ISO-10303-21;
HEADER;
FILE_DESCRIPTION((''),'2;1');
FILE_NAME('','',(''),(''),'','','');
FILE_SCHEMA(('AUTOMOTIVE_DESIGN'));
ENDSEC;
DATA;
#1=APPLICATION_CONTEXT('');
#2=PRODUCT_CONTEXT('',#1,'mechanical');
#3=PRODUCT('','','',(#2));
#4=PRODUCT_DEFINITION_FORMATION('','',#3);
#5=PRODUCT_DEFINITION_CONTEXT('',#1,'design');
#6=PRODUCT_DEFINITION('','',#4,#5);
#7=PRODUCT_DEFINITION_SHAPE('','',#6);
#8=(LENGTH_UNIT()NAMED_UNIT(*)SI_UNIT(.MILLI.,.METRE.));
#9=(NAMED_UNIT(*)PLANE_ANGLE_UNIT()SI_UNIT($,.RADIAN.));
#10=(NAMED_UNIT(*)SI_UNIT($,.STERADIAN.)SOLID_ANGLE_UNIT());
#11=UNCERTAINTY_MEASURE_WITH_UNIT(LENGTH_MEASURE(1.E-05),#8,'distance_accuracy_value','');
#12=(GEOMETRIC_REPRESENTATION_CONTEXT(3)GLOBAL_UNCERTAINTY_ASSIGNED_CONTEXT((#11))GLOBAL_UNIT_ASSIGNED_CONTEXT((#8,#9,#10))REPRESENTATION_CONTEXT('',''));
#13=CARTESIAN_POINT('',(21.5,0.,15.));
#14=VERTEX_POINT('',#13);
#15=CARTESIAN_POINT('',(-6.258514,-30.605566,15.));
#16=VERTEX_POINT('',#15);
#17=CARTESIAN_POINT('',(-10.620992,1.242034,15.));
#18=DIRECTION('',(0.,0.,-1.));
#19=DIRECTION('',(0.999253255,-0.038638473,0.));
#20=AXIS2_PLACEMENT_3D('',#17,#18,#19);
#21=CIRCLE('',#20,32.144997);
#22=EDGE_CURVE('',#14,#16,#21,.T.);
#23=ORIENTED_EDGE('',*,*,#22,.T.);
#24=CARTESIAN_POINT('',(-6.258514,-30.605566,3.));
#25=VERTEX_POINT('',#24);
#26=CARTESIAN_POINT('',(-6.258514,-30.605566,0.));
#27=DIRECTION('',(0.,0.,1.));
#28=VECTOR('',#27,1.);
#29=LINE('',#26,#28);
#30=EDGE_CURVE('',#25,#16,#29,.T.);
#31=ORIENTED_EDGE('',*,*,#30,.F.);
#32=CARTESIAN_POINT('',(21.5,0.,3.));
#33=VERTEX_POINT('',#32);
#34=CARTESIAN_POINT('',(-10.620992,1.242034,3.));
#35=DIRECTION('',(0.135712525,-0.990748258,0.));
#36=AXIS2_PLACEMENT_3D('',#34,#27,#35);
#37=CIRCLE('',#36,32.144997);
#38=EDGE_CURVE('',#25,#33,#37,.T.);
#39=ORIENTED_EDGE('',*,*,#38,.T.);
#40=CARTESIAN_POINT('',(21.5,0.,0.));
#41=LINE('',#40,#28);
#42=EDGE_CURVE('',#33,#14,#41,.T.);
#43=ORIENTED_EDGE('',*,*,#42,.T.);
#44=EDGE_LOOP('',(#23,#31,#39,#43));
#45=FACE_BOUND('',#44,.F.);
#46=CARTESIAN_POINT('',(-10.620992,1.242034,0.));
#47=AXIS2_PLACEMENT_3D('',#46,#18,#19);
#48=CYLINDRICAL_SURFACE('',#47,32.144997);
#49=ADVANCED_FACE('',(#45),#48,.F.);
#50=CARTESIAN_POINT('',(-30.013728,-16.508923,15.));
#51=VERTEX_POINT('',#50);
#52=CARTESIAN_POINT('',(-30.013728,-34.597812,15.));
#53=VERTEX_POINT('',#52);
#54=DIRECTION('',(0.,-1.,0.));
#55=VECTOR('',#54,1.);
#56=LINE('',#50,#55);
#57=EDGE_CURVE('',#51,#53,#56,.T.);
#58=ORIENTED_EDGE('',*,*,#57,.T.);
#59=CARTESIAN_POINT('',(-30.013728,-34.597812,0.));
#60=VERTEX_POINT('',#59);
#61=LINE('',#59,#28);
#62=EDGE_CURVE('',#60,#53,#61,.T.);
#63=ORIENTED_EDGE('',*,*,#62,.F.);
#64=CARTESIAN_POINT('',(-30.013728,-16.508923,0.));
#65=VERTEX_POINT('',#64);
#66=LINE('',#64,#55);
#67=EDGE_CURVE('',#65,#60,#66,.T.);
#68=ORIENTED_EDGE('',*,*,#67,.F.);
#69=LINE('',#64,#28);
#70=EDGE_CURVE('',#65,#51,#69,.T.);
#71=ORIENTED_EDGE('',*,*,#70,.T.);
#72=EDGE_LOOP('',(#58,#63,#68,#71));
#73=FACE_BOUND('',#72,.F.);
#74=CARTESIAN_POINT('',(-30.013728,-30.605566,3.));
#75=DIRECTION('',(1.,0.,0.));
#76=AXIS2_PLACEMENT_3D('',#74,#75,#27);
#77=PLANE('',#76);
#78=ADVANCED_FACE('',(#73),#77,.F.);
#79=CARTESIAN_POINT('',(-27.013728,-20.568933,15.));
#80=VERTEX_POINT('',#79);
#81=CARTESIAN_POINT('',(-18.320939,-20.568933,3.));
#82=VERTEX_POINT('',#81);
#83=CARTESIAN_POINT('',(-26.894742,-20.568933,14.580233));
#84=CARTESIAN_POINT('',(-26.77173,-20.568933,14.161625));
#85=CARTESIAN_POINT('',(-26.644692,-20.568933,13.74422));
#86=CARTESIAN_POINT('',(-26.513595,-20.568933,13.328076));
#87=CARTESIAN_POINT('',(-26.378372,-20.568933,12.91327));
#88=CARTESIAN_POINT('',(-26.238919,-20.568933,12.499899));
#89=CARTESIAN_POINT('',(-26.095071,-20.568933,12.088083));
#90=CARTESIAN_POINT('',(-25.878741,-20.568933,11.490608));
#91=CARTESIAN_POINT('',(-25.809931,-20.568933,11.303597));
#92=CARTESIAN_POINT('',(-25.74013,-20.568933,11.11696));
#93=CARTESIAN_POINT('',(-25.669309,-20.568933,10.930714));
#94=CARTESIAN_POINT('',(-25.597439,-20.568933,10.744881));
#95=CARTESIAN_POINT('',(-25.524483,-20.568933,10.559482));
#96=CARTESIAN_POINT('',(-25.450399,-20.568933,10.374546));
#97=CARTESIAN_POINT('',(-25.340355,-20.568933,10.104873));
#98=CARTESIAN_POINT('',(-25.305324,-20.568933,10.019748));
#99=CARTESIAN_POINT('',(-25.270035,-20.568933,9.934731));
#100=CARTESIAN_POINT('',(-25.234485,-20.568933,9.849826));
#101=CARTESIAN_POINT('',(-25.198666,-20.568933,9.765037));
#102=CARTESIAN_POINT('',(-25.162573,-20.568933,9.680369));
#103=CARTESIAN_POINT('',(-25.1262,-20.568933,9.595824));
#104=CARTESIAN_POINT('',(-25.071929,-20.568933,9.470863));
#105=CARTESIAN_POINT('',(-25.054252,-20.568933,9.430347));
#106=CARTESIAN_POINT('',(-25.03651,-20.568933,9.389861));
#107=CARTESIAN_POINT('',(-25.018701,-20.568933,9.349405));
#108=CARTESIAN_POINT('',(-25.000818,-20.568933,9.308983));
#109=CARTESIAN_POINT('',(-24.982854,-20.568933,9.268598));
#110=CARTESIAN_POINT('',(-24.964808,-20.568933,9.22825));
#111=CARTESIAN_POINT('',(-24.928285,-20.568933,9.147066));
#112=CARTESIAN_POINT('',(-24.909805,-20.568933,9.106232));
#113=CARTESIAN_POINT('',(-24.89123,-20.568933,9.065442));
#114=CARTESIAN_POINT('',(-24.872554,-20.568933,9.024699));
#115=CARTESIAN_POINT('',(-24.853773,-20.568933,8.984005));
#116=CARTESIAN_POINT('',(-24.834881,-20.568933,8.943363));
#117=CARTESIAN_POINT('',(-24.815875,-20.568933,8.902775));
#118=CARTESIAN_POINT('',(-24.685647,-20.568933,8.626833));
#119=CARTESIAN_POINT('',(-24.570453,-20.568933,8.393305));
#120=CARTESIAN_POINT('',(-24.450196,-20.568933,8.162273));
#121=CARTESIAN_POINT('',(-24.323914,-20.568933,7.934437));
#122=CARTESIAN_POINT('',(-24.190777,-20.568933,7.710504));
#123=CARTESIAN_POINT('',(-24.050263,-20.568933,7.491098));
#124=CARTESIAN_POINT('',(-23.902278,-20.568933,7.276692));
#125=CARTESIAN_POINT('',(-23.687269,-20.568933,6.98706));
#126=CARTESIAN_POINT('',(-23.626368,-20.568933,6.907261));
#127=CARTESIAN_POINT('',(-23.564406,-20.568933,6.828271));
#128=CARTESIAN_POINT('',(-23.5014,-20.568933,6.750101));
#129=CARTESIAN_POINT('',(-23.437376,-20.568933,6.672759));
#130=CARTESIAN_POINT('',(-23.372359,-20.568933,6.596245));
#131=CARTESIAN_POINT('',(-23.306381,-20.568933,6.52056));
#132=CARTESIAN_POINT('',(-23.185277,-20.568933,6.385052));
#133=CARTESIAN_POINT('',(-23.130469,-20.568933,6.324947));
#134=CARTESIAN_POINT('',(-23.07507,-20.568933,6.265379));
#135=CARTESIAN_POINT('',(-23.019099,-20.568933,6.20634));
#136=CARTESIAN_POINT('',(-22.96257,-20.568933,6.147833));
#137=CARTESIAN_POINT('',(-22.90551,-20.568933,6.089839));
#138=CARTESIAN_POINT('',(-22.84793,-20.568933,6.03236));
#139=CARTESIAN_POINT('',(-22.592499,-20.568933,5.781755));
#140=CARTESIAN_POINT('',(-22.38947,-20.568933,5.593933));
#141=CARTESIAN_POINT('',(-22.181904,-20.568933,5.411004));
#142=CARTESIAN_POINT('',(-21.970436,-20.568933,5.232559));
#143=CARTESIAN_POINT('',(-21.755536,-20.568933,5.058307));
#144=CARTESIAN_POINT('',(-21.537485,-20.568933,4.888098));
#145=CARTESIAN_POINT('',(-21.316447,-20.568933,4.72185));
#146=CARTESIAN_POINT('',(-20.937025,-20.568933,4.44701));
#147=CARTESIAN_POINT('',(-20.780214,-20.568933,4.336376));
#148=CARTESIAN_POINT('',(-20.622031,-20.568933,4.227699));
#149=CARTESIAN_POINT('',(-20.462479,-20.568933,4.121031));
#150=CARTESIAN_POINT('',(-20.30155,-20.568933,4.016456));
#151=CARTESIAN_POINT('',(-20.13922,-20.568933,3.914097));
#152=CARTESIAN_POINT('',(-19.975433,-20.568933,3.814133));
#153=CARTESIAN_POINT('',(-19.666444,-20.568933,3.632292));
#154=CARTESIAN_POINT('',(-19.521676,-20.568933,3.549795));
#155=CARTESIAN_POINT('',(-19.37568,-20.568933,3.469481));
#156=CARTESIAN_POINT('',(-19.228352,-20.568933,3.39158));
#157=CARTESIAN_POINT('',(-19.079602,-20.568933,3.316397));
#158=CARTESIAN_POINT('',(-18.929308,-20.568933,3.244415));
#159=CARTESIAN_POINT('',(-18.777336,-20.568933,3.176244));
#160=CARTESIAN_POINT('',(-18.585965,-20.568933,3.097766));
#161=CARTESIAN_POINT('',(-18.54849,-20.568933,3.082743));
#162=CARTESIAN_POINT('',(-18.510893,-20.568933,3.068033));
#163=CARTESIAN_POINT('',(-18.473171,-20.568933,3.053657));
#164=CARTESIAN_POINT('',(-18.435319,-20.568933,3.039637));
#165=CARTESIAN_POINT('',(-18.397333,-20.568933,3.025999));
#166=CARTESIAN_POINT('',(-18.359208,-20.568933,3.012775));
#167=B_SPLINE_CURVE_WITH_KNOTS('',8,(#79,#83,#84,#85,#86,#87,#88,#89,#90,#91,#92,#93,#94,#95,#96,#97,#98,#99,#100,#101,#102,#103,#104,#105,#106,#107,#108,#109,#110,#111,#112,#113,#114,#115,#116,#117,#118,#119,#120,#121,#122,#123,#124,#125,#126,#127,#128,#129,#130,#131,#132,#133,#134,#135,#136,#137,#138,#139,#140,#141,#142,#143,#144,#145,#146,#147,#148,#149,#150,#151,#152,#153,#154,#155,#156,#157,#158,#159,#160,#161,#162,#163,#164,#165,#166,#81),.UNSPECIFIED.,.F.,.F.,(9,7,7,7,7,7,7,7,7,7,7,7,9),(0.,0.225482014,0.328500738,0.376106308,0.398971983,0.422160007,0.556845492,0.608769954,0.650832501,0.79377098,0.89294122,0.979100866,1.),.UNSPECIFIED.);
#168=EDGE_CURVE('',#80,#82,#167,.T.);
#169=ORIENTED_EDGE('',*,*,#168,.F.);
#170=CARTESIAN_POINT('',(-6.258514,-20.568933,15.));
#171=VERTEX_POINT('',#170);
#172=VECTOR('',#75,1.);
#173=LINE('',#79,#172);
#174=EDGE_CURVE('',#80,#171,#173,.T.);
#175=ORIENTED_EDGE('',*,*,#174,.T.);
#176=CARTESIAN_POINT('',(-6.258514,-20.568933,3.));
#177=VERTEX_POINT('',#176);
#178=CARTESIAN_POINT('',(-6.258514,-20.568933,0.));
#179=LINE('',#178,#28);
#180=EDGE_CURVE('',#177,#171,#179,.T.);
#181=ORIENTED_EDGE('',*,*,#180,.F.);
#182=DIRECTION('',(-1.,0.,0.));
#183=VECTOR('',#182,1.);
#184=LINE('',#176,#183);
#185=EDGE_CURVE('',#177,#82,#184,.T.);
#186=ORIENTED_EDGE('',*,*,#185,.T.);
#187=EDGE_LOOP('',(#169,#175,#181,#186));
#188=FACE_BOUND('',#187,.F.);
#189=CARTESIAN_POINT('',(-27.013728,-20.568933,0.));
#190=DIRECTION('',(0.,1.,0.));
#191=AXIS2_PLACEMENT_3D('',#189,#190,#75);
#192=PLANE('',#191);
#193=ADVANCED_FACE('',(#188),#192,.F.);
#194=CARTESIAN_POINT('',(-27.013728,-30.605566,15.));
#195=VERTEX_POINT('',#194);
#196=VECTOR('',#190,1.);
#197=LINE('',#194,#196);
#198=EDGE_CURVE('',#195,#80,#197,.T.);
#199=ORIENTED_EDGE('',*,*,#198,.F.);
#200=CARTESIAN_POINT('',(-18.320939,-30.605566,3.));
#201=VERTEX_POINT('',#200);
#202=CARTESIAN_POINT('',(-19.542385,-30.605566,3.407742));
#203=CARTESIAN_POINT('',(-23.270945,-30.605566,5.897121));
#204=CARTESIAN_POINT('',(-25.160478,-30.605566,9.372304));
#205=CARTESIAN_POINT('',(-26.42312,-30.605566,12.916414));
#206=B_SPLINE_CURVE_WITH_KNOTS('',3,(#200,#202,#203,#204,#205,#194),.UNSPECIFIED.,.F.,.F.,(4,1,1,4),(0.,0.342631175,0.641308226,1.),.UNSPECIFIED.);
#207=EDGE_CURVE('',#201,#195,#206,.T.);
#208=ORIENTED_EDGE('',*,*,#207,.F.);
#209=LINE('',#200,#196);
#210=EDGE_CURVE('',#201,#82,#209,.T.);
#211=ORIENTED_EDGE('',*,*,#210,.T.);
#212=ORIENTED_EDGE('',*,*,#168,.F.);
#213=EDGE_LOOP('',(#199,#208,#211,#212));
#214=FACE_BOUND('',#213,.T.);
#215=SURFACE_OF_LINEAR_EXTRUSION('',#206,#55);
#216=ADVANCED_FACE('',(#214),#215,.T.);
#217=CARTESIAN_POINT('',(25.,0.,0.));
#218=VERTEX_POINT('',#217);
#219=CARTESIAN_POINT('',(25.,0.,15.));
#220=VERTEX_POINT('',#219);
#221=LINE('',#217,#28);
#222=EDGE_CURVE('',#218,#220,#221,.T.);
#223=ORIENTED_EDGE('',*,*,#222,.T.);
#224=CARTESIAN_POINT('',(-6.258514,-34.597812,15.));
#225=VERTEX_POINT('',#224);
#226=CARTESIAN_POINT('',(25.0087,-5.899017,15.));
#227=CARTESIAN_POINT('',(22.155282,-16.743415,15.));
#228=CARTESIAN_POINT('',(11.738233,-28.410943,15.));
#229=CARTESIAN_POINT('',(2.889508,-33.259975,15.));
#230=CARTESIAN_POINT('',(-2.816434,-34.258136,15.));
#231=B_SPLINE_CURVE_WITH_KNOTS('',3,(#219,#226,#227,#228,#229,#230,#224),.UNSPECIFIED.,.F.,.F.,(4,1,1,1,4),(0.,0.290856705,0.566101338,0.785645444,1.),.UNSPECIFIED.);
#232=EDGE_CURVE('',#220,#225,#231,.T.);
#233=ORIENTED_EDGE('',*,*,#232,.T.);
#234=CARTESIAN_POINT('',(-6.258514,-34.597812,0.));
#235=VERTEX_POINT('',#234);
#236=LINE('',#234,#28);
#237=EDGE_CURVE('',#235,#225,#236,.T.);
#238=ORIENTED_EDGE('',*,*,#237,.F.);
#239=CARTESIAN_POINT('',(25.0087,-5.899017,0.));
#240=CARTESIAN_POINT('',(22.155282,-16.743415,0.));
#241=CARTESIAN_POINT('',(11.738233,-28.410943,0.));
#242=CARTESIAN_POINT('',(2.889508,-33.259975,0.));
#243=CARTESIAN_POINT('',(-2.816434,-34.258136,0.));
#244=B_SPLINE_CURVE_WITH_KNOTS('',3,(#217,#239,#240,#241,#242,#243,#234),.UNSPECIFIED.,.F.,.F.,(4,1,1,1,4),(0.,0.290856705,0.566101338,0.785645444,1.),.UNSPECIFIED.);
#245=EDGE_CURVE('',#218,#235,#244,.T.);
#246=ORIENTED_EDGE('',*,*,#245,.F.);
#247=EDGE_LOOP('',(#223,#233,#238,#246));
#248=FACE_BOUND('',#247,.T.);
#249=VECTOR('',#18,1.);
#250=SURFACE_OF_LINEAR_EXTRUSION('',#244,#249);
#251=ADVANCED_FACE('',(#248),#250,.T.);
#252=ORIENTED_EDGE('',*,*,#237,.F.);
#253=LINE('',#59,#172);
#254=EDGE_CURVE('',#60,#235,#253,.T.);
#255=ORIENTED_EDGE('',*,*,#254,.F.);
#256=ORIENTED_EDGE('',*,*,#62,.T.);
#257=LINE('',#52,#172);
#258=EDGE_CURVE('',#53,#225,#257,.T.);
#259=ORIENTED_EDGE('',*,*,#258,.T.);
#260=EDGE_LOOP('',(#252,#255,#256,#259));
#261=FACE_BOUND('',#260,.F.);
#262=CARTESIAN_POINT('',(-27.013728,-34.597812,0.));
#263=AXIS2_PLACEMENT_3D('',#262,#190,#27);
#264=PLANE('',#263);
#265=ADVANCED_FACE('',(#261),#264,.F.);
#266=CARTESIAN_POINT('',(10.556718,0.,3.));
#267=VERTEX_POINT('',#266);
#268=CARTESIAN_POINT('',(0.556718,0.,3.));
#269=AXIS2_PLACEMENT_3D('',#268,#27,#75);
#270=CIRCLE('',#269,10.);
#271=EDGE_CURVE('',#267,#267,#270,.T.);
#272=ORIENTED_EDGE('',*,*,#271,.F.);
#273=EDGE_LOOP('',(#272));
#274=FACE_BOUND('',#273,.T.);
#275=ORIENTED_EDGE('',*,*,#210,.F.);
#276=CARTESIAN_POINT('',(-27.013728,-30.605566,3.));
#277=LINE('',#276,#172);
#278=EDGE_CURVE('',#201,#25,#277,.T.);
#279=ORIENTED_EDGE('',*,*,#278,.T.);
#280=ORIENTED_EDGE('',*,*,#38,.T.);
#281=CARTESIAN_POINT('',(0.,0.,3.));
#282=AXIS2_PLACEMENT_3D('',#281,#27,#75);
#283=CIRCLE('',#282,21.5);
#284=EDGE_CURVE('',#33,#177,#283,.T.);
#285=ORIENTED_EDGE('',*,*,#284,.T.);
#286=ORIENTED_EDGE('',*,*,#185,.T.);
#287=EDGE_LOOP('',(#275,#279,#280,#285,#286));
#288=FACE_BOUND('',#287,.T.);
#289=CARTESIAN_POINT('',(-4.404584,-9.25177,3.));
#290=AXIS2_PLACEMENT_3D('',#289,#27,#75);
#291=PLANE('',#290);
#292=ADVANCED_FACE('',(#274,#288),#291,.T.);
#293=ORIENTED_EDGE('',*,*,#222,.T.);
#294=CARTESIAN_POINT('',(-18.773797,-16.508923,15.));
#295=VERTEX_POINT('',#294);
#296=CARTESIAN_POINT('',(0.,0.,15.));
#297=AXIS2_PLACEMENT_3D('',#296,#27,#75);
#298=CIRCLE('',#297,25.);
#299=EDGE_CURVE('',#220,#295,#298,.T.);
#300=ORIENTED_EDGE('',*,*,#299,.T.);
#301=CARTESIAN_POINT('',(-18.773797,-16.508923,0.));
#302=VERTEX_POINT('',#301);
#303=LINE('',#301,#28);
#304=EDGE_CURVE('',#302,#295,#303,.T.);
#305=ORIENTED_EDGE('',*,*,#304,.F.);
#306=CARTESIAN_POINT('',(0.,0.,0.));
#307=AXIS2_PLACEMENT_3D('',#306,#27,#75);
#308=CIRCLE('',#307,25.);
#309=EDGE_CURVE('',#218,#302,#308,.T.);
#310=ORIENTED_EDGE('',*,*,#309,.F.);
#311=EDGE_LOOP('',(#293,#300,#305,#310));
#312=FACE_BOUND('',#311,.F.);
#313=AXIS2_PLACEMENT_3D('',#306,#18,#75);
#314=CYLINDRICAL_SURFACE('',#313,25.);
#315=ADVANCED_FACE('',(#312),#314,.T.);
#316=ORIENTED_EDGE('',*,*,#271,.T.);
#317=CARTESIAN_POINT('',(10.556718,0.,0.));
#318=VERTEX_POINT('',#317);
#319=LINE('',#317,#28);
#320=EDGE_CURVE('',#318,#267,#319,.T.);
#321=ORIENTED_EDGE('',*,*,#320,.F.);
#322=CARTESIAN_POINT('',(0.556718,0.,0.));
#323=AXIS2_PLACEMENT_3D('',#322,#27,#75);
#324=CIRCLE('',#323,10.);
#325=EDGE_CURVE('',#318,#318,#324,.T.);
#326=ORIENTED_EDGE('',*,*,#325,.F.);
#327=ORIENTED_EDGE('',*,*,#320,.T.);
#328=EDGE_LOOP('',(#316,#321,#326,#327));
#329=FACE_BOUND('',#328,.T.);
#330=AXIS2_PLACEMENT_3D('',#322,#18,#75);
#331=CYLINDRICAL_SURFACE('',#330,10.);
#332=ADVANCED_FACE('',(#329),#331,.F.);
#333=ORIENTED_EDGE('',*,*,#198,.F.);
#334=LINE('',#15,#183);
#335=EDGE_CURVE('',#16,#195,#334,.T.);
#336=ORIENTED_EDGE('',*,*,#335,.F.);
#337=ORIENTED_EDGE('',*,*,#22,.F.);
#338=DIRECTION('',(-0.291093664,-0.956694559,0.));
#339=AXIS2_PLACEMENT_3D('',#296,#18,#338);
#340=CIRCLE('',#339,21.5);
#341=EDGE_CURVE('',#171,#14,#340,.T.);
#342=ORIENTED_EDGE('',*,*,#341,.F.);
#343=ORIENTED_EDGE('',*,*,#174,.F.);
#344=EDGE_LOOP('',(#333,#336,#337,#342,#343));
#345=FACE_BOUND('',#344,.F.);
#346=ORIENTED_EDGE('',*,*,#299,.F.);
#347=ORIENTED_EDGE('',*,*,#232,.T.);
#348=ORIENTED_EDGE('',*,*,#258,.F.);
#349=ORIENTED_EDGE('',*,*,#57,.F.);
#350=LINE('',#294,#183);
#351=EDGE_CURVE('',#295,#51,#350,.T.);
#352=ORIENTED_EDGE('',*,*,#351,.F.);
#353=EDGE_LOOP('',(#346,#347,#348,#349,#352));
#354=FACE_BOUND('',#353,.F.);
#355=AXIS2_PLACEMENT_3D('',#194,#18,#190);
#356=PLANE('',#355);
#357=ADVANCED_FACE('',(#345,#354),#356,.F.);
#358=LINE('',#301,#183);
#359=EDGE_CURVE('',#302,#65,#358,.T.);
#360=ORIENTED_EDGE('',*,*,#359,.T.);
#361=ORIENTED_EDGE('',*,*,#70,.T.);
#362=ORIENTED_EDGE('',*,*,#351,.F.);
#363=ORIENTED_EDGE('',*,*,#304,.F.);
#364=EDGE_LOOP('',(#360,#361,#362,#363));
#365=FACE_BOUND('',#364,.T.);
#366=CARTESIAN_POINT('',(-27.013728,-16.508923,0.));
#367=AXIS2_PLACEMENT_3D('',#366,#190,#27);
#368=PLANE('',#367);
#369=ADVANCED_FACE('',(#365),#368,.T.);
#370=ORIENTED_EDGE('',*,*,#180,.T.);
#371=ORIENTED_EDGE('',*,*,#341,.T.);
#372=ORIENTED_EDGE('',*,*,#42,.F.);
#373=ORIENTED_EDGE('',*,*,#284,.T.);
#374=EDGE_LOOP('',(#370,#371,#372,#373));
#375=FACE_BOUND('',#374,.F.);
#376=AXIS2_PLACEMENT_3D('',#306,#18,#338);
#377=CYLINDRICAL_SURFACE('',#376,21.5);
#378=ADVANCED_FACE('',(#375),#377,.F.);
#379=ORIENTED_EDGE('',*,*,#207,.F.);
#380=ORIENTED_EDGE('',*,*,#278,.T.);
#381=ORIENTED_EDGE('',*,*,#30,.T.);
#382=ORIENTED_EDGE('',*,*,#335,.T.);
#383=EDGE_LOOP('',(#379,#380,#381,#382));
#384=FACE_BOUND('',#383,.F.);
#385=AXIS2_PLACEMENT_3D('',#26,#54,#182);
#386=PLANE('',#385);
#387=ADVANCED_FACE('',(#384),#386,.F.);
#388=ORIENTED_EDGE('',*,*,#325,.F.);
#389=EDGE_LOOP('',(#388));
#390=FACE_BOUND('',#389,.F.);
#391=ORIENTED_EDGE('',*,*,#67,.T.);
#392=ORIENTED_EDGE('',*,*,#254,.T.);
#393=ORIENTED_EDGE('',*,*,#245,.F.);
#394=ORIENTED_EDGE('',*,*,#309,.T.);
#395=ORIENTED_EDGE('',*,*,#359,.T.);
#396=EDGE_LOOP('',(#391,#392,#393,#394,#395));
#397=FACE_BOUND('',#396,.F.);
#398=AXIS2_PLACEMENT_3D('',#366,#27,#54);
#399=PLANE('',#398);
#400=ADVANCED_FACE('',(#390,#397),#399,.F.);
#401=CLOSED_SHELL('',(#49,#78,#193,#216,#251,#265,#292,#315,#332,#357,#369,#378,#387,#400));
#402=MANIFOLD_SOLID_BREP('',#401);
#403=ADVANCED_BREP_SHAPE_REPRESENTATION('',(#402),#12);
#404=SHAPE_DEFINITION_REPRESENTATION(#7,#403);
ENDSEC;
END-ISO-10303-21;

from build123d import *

# Parameters (mm, degrees)
F1_DEPTH = 15
F0_R     = 10
F2_DEPTH = 3
F4_DEPTH = 11
F5_DEPTH = 3


with BuildPart() as f1:
    # F0 (on Top) → F1 (new body)
    with BuildSketch(Plane.XY):
        with BuildLine():
            add(Edge.make_bspline(
                [(25, 0), (25.0087002696, -5.8990169969), (22.1552822861, -16.7434149041), (11.7382328833, -28.4109430259), (2.8895078726, -33.2599749563), (-2.8164344422, -34.2581364978), (-6.2585137784, -34.5978120347)],
                knots=[0, 0, 0, 0, 0.2908567046, 0.5661013385, 0.7856454444, 1, 1, 1, 1], degree=3))
            ThreePointArc((25, 0), (-8.821991792, 23.3917177826), (-18.7737968657, -16.5089233823))
            Line((-18.7737968657, -16.5089233823), (-27.0137283951, -16.5089233823))
            Line((-27.0137283951, -16.5089233823), (-27.0137283951, -20.5689330128))
            Line((-27.0137283951, -20.5689330128), (-23.3377733697, -20.5689330128))
            Line((-23.3377733697, -20.5689330128), (-14.2098203618, -20.5689330128))
            Line((-14.2098203618, -20.5689330128), (-6.2585137784, -20.5689330128))
            ThreePointArc((-6.2585137784, -20.5689330128), (-12.8002334698, 17.2743747533), (21.5, 0))
            ThreePointArc((21.5, 0), (13.189427122, -20.3534456592), (-6.2585137784, -30.6055657566))
            Line((-6.2585137784, -30.6055657566), (-23.3377733697, -30.6055657566))
            Line((-23.3377733697, -30.6055657566), (-27.0137283951, -30.6055657566))
            Line((-27.0137283951, -30.6055657566), (-27.0137283951, -34.5978120347))
            Line((-27.0137283951, -34.5978120347), (-6.2585137784, -34.5978120347))
        make_face()
    extrude(amount=F1_DEPTH)

    # F0 (on Top) → F2 (join)
    with BuildSketch(Plane.XY):
        with BuildLine():
            Line((-23.3377733697, -20.5689330128), (-27.0137283951, -20.5689330128))
            Line((-27.0137283951, -20.5689330128), (-27.0137283951, -21.3873516768))
            Line((-27.0137283951, -21.3873516768), (-27.0137283951, -30.6055657566))
            Line((-27.0137283951, -30.6055657566), (-23.3377733697, -30.6055657566))
            Line((-23.3377733697, -30.6055657566), (-6.2585137784, -30.6055657566))
            ThreePointArc((-6.2585137784, -30.6055657566), (13.189427122, -20.3534456592), (21.5, 0))
            ThreePointArc((21.5, 0), (-12.8002334698, 17.2743747533), (-6.2585137784, -20.5689330128))
            Line((-6.2585137784, -20.5689330128), (-14.2098203618, -20.5689330128))
            Line((-14.2098203618, -20.5689330128), (-23.3377733697, -20.5689330128))
        make_face()
        with Locations((0.5567180342, 0)):
            Circle(F0_R, mode=Mode.SUBTRACT)
    extrude(amount=F2_DEPTH)

    # F3 (on face) → F4 (join)
    with BuildSketch(Plane(origin=(0, -30.6055657566, 0), x_dir=(-1, 0, 0), z_dir=(0, 1, 0))):
        with BuildLine():
            add(Edge.make_bspline(
                [(18.3209385723, 3), (19.5423853219, 3.4077423094), (23.2709452392, 5.8971211647), (25.1604775917, 9.372303958), (26.423119613, 12.9164144641), (27.0137283951, 15)],
                knots=[0, 0, 0, 0, 0.3426311752, 0.6413082257, 1, 1, 1, 1], degree=3))
            Line((18.3209385723, 3), (27.0137283951, 3))
            Line((27.0137283951, 3), (27.0137283951, 15))
        make_face()
    extrude(amount=F4_DEPTH)

    # F5 (add): a face of the model
    f5_faces = [f1.faces().sort_by_distance(p)[0] for p in [
        (-27.0137283951, -25.5533677085, 7.5),
    ]]
    extrude(f5_faces, amount=F5_DEPTH)


solid = f1.part
